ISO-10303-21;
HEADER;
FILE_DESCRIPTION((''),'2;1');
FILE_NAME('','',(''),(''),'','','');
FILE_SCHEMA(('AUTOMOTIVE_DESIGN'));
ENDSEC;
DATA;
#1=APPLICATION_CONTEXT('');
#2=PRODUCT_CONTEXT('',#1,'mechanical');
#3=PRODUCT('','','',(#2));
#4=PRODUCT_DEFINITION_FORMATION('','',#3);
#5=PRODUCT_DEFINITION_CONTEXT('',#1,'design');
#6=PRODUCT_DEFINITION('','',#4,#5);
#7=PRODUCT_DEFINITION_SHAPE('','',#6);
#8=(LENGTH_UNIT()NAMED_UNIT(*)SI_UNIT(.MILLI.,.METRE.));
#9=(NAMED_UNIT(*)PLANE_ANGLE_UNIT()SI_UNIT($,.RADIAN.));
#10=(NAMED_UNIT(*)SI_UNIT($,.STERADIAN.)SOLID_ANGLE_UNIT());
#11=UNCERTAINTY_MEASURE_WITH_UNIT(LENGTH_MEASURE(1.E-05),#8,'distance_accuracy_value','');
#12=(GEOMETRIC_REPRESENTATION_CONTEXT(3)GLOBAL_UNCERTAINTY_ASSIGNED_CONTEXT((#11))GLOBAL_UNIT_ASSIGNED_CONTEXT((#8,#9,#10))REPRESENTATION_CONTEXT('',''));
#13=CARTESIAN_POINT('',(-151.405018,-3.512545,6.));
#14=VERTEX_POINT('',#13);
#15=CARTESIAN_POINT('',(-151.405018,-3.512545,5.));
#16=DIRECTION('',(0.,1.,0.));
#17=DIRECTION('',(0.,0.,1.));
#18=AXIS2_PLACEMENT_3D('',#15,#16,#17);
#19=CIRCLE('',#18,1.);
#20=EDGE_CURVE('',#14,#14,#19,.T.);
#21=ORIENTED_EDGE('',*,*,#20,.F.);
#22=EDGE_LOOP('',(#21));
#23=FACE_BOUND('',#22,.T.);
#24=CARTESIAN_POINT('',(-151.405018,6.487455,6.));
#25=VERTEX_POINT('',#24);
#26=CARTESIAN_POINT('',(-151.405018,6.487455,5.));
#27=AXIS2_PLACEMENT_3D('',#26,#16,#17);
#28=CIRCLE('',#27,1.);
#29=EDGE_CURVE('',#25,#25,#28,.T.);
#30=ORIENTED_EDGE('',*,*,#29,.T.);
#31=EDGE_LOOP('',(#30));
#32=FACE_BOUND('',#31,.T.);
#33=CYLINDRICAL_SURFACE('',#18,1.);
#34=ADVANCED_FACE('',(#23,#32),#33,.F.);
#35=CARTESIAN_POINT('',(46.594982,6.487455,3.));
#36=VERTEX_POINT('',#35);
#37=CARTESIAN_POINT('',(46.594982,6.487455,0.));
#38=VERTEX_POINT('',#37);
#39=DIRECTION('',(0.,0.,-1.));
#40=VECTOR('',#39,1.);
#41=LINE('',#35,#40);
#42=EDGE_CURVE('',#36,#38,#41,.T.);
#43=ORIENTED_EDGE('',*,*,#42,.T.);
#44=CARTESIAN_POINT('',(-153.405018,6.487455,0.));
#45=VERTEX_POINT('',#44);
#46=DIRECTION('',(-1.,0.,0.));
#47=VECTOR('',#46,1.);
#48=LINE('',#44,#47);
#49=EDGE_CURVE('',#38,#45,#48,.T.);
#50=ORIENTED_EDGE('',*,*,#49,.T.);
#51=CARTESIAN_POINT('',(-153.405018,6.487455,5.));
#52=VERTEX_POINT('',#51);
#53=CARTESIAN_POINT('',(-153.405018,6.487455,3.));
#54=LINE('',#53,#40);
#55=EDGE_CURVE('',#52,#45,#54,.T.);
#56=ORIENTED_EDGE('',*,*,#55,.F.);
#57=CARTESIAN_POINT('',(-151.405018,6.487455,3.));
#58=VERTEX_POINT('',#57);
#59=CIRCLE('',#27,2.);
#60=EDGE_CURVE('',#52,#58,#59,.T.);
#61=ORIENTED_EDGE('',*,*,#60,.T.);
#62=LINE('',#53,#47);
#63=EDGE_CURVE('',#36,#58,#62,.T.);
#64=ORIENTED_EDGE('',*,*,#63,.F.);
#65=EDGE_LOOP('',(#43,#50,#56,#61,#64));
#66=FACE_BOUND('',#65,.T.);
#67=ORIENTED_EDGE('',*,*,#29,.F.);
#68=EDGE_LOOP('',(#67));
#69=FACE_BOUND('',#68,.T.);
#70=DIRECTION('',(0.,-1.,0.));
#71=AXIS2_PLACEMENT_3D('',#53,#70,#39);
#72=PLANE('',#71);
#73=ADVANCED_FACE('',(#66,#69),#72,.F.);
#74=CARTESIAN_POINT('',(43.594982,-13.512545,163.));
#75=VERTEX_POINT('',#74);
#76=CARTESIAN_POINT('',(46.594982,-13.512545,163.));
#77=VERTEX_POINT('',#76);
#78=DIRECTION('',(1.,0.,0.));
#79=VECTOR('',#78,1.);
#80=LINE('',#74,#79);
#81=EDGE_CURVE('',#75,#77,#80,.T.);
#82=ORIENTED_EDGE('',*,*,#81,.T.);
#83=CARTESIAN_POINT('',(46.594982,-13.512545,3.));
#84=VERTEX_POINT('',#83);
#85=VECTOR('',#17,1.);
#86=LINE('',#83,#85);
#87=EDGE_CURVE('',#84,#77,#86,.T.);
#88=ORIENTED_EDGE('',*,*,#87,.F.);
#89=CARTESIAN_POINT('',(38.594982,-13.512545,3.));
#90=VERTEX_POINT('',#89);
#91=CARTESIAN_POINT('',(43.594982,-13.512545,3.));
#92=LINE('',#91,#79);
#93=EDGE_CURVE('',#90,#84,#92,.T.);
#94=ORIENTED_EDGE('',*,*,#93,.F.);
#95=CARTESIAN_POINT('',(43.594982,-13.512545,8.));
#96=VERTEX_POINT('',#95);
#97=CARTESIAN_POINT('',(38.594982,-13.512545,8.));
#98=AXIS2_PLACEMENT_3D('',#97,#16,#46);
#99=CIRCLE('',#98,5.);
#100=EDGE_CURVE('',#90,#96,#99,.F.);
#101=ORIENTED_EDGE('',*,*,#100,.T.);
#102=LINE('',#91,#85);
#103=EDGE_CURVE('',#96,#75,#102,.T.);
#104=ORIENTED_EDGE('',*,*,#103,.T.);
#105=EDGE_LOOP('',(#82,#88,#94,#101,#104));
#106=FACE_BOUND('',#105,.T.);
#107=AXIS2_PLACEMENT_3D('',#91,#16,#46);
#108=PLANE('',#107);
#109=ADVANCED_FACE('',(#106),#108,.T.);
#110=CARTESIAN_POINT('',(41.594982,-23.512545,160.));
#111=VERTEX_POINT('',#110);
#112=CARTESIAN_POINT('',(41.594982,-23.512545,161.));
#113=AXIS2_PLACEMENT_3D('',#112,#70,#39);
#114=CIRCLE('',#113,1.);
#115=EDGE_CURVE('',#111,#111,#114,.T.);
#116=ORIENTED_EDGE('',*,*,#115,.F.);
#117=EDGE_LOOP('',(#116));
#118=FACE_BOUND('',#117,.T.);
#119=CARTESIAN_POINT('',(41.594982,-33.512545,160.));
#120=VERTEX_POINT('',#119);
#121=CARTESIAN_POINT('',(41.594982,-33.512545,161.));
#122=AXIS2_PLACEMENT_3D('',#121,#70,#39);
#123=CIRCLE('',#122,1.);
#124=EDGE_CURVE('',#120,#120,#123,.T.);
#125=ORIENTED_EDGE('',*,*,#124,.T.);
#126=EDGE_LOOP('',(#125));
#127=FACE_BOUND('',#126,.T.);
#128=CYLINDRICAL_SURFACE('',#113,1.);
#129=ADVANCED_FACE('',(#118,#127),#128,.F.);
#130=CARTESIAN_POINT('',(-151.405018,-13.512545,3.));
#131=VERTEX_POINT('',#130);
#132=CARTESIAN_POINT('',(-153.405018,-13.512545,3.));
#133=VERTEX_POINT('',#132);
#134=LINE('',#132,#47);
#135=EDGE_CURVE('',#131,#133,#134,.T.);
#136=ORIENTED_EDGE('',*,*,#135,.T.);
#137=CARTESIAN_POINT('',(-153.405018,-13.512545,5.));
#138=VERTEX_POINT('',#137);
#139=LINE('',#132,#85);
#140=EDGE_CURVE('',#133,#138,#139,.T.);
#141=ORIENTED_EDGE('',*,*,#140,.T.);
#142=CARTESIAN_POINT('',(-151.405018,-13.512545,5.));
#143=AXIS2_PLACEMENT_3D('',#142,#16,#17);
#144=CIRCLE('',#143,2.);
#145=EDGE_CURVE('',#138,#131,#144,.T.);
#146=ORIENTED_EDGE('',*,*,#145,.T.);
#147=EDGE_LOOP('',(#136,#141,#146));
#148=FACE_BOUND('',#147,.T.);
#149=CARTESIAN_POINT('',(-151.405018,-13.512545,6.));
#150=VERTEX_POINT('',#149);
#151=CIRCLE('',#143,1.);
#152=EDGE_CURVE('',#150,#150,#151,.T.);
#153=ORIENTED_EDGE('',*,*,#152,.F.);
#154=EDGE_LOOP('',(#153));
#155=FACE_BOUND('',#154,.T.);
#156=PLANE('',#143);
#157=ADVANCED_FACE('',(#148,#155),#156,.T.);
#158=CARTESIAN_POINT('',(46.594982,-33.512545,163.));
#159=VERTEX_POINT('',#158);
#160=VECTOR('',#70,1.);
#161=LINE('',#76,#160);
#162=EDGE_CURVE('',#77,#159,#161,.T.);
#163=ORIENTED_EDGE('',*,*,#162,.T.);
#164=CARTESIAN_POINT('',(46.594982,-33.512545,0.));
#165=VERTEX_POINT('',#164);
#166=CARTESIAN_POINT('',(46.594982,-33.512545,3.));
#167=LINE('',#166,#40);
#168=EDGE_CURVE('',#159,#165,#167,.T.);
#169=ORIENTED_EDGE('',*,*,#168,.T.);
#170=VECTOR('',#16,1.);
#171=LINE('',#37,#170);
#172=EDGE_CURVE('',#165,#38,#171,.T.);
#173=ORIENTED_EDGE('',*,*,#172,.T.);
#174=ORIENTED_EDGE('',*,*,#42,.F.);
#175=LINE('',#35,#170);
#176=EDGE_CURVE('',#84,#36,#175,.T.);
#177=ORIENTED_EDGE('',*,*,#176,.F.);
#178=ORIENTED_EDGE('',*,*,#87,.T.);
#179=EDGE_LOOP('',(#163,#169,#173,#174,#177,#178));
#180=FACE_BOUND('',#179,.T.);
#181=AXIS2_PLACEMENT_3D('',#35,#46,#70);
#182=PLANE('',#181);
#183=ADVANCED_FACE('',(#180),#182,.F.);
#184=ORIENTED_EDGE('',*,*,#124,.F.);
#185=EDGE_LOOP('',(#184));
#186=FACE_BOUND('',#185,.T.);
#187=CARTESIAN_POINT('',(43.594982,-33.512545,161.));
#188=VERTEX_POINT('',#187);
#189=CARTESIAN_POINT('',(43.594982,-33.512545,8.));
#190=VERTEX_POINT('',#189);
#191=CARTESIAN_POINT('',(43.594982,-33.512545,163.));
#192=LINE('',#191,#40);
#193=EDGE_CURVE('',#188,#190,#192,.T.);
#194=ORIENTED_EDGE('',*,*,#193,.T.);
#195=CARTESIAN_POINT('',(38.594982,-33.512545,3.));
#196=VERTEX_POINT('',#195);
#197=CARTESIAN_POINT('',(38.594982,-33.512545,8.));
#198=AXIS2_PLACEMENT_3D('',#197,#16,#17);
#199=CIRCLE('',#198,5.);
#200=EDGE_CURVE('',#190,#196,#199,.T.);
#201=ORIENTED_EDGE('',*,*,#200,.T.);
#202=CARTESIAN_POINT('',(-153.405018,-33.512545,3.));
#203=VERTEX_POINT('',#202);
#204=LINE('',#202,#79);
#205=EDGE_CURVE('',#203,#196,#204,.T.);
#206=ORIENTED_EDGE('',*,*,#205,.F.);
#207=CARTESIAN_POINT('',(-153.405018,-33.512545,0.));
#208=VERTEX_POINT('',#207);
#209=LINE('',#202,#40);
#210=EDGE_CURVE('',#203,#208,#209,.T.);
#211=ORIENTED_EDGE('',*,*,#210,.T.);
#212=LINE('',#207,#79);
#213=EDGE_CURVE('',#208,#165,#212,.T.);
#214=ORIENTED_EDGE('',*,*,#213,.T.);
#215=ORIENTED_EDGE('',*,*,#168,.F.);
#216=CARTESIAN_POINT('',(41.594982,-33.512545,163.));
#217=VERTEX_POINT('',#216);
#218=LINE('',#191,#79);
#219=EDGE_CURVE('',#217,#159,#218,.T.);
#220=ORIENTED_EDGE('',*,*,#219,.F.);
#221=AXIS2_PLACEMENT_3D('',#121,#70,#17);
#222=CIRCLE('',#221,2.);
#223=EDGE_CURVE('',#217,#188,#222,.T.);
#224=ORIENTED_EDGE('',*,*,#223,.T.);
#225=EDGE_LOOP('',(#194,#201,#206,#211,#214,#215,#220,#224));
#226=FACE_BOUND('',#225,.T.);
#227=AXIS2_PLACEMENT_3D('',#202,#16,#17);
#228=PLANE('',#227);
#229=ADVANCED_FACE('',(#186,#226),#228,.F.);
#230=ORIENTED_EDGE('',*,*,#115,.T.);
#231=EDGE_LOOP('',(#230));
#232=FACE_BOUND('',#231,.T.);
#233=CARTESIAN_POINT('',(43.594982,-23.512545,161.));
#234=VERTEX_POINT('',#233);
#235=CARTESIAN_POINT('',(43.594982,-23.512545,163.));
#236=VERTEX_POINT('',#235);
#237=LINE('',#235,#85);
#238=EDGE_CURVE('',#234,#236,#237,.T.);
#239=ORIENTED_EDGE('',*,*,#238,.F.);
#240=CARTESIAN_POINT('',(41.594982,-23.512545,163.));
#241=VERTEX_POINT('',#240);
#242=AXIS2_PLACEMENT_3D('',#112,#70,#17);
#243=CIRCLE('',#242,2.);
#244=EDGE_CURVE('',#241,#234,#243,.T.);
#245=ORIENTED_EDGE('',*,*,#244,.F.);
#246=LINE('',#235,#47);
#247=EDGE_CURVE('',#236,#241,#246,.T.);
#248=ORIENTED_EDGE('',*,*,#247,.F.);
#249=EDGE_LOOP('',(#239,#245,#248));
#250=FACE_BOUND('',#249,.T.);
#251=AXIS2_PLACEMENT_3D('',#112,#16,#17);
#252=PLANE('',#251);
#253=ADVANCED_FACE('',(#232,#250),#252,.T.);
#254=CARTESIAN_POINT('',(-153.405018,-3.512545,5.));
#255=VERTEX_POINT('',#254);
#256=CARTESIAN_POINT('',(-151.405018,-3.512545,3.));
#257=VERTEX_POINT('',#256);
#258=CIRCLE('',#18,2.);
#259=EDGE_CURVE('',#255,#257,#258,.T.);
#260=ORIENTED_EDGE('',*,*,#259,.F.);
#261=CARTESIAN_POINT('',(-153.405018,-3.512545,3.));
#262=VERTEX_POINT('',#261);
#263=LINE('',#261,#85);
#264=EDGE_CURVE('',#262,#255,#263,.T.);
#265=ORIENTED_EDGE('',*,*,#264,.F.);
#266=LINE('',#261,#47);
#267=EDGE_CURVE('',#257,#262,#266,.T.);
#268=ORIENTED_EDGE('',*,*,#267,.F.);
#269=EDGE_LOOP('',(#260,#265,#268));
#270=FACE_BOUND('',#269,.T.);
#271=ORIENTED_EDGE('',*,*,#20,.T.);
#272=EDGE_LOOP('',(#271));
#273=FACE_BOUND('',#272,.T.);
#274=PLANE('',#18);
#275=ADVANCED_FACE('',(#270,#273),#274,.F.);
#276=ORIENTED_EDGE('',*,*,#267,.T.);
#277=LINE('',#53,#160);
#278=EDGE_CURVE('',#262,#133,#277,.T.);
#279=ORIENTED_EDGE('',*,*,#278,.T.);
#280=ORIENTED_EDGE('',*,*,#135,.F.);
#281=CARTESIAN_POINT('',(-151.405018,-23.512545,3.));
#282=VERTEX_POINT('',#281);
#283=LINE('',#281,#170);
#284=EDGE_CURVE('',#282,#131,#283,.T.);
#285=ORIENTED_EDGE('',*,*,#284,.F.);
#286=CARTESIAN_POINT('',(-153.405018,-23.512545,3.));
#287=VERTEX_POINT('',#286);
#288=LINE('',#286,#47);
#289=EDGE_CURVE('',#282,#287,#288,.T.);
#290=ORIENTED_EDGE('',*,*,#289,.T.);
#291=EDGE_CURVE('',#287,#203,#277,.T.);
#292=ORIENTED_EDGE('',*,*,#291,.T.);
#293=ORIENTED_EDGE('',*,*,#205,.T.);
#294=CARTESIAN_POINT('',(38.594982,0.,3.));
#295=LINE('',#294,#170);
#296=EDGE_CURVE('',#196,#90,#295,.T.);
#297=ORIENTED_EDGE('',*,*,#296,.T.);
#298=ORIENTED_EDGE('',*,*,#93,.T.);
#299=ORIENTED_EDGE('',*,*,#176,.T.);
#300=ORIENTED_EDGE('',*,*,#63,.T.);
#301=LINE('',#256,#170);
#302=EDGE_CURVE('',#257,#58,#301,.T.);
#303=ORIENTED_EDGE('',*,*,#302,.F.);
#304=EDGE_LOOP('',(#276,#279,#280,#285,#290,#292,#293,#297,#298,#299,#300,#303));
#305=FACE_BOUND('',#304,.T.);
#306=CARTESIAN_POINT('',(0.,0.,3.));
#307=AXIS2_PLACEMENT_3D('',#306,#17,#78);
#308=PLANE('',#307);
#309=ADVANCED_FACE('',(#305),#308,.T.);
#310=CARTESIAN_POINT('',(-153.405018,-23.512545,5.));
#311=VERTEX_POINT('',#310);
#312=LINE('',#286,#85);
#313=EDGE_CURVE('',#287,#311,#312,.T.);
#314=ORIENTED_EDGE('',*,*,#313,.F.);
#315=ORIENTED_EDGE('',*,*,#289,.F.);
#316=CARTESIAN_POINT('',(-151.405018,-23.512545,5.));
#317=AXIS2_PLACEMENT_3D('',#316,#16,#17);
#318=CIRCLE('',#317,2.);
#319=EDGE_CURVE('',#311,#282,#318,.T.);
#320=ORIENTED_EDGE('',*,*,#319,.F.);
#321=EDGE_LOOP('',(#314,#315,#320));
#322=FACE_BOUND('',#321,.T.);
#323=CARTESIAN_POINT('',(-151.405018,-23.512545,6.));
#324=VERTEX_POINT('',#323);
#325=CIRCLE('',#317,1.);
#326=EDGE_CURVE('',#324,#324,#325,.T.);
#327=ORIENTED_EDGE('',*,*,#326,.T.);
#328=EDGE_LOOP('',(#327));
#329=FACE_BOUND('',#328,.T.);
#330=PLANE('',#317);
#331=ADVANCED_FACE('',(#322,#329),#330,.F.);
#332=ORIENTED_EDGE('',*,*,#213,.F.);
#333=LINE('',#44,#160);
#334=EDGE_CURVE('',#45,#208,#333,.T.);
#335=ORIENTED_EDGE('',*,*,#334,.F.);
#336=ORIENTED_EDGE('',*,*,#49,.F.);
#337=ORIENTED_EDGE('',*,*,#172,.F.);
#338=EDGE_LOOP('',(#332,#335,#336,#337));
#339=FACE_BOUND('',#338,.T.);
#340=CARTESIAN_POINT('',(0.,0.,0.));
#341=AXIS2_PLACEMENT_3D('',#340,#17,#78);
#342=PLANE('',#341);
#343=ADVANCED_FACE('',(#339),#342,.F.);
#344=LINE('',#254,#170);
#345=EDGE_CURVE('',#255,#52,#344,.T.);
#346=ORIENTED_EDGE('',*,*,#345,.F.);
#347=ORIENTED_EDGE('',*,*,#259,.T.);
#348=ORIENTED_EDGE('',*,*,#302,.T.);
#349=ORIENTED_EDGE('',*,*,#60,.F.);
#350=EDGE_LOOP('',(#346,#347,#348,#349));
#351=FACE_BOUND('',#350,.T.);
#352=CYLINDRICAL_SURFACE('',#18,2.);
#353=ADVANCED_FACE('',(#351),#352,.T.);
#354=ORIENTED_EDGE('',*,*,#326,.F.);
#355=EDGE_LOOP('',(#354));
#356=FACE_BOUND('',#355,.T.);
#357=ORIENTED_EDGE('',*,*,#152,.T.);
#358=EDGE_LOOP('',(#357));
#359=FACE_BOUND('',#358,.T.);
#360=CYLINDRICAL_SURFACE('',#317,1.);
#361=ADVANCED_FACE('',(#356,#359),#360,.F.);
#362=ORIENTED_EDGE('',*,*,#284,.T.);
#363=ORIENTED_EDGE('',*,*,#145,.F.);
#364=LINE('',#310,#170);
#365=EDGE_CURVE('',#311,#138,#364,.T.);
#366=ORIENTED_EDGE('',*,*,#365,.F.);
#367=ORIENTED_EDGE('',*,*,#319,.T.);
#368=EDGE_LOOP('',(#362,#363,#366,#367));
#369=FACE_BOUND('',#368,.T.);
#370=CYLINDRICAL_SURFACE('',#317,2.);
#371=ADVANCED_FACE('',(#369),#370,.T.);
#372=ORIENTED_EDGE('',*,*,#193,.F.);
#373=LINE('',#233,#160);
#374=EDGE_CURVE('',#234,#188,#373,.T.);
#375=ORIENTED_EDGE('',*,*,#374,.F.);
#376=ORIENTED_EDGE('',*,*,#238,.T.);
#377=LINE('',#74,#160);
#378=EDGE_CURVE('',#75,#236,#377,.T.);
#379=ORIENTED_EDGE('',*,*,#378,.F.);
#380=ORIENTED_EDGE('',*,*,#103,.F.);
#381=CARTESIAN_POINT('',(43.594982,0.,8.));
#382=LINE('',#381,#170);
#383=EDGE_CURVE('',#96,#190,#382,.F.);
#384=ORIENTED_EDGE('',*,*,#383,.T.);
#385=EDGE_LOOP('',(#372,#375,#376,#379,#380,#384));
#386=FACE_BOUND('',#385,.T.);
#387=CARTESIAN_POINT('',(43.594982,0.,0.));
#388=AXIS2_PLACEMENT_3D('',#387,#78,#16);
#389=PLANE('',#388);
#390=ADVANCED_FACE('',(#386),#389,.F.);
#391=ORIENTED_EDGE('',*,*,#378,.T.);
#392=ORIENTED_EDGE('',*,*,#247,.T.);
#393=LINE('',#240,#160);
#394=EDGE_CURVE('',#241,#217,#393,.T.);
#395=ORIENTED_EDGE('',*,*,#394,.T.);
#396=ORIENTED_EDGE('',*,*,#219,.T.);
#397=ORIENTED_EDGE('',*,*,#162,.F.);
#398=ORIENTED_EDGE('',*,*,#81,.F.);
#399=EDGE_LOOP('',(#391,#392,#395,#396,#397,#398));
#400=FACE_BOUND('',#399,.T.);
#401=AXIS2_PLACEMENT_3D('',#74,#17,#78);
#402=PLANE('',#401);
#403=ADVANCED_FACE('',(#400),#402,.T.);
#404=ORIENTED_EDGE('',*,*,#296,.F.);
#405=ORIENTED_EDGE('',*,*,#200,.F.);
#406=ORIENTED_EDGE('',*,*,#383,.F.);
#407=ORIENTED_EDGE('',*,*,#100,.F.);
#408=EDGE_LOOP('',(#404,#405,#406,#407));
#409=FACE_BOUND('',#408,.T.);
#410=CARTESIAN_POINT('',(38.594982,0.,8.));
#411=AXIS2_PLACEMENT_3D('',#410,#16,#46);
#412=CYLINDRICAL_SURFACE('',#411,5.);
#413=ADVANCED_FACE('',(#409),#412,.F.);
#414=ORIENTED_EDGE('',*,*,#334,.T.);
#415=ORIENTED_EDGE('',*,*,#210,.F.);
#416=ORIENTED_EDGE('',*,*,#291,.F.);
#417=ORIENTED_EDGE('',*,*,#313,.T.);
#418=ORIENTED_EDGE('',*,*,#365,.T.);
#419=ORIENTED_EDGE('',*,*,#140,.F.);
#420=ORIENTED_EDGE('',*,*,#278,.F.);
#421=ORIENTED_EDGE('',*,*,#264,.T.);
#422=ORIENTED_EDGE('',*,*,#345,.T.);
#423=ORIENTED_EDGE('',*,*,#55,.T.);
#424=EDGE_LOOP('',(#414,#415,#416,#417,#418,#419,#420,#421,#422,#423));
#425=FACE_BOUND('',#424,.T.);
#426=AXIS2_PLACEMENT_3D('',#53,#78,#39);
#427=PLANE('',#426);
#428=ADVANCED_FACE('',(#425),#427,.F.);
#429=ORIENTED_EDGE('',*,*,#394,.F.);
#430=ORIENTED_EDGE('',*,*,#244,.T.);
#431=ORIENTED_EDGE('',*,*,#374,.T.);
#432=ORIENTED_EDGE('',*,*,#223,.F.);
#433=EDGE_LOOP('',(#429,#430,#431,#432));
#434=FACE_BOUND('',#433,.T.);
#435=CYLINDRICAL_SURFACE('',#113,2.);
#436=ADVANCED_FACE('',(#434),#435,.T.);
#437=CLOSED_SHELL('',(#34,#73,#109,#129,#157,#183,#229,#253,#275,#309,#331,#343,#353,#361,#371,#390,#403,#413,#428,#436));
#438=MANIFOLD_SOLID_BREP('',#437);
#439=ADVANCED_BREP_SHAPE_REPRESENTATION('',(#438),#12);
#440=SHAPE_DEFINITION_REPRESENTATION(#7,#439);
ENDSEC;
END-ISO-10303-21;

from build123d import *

# Parameters (mm, degrees)
SKETCH1_W           = 200
SKETCH1_H           = 40
BOSS_EXTRUDE1_DEPTH = 3
SKETCH2_W           = 160
SKETCH2_H           = 20
BOSS_EXTRUDE2_DEPTH = 3
FILLET1_R           = 5
SKETCH3_R           = 1
BOSS_EXTRUDE3_DEPTH = 10
LPATTERN1_COUNT     = 2
LPATTERN1_PITCH     = 20
SKETCH4_R           = 1
BOSS_EXTRUDE4_DEPTH = 10


with BuildPart() as part:
    # Sketch1 → Boss-Extrude1 (new body)
    with BuildSketch(Plane.XY):
        with Locations((-53.405017921, -13.512544803)):
            Rectangle(SKETCH1_W, SKETCH1_H)
    extrude(amount=BOSS_EXTRUDE1_DEPTH)

    # Sketch2 → Boss-Extrude2 (add)
    with BuildSketch(Plane(origin=(46.594982079, 0, 0), x_dir=(0, 0, -1), z_dir=(1, 0, 0))):
        with Locations((-83, -23.512544803)):
            Rectangle(SKETCH2_W, SKETCH2_H)
    extrude(amount=-BOSS_EXTRUDE2_DEPTH)

    # Fillet1
    fillet1_edges = [part.edges().sort_by_distance(p)[0] for p in [
        (43.594982079, -23.512544803, 3),
    ]]
    fillet(fillet1_edges, radius=FILLET1_R)

    # Sketch3 → Boss-Extrude3 (add)
    with BuildSketch(Plane(origin=(0, 6.487455197, 0), x_dir=(1, 0, 0), z_dir=(0, 1, 0))):
        with BuildLine():
            Line((-153.405017921, -3), (-153.405017921, -5))
            ThreePointArc((-153.405017921, -5), (-149.990804359, -6.414213562), (-151.405017921, -3))
            Line((-151.405017921, -3), (-153.405017921, -3))
        make_face()
        with Locations(Location((-151.405017921, -5, 0), (0, 0, 270))):
            Circle(SKETCH3_R, mode=Mode.SUBTRACT)
    boss_extrude3 = extrude(amount=-BOSS_EXTRUDE3_DEPTH)

    # LPattern1: Boss-Extrude3 ×2
    with Locations(*[(0, -i * LPATTERN1_PITCH, 0) for i in range(1, LPATTERN1_COUNT)]):
        add(boss_extrude3)

    # Sketch4 → Boss-Extrude4 (add)
    with BuildSketch(Plane.XZ.offset(33.512544803)):
        with BuildLine():
            Line((43.594982079, 163), (41.594982079, 163))
            ThreePointArc((41.594982079, 163), (40.180768516, 159.585786438), (43.594982079, 161))
            Line((43.594982079, 161), (43.594982079, 163))
        make_face()
        with Locations(Location((41.594982079, 161, 0), (0, 0, 270))):
            Circle(SKETCH4_R, mode=Mode.SUBTRACT)
    extrude(amount=-BOSS_EXTRUDE4_DEPTH)


solid = part.part
